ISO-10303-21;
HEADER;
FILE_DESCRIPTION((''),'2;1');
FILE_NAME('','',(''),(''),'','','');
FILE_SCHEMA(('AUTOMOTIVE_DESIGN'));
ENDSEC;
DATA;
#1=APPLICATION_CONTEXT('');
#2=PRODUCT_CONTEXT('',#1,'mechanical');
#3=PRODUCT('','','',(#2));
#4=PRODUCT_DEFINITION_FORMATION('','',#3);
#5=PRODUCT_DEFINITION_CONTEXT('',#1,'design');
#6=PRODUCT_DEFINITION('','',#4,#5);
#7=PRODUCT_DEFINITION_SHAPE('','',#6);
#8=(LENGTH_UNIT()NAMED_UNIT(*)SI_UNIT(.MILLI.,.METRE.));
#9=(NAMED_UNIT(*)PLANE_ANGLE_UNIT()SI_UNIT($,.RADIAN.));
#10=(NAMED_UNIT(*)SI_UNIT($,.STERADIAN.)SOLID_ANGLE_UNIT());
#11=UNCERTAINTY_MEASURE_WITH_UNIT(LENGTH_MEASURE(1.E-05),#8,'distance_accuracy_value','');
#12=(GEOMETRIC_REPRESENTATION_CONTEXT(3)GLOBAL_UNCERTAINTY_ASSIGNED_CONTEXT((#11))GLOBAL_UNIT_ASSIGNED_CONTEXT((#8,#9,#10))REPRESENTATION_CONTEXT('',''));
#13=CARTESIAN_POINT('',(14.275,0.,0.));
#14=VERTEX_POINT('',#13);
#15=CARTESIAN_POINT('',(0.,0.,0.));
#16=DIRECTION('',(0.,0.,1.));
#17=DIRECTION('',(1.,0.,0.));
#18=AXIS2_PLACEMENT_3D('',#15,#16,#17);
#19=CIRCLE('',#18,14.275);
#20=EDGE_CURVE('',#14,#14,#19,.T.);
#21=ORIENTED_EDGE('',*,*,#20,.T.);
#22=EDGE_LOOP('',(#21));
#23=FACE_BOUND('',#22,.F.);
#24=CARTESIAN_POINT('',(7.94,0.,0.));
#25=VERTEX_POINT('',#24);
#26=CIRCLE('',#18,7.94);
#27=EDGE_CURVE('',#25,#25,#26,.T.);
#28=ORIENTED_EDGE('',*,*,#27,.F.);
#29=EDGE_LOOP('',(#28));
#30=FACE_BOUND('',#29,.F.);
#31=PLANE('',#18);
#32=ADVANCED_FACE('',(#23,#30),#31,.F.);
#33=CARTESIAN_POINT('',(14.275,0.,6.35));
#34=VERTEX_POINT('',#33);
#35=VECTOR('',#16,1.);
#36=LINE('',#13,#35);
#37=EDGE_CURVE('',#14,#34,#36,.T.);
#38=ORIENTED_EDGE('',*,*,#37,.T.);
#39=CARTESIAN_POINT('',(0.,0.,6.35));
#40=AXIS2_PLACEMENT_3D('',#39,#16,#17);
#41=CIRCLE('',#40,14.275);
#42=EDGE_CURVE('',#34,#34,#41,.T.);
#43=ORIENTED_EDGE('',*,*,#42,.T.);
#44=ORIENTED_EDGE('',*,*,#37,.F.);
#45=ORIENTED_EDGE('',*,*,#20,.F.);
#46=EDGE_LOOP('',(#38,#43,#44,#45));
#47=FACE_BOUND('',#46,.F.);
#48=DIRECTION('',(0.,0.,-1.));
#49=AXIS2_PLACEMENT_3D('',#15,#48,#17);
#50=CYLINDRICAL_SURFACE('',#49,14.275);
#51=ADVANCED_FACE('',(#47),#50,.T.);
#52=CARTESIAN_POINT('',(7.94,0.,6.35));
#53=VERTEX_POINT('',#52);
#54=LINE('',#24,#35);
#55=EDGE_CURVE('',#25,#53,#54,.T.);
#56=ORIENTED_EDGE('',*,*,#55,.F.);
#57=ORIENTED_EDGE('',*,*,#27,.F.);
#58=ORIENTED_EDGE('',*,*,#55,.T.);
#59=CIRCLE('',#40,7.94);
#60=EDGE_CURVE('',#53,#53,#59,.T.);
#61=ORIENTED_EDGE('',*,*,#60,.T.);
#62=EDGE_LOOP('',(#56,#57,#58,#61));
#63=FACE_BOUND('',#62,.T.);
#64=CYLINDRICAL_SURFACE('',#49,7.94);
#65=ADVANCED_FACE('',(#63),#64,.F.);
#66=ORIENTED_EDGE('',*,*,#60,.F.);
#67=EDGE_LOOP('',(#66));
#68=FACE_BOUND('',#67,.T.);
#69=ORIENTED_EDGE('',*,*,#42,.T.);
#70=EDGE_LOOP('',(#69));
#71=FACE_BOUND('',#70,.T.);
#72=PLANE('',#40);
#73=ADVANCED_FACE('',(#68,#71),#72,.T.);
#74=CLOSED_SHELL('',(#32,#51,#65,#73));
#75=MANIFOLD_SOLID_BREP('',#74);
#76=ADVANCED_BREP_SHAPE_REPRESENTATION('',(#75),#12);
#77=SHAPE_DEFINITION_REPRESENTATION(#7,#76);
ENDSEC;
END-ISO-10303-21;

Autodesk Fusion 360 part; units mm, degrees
sketch "Sketch1" plane through (0, 0, 0) normal (0, 0, 1) x (1, 0, 0)
  circle A0 centre (0, 0) radius 7.94
  circle A1 centre (0, 0) radius 14.275
  dimension "d1" = 15.88
  dimension "d2" = 28.55
extrude "Extrude1" add sketch "Sketch1" along normal blind 6.35
